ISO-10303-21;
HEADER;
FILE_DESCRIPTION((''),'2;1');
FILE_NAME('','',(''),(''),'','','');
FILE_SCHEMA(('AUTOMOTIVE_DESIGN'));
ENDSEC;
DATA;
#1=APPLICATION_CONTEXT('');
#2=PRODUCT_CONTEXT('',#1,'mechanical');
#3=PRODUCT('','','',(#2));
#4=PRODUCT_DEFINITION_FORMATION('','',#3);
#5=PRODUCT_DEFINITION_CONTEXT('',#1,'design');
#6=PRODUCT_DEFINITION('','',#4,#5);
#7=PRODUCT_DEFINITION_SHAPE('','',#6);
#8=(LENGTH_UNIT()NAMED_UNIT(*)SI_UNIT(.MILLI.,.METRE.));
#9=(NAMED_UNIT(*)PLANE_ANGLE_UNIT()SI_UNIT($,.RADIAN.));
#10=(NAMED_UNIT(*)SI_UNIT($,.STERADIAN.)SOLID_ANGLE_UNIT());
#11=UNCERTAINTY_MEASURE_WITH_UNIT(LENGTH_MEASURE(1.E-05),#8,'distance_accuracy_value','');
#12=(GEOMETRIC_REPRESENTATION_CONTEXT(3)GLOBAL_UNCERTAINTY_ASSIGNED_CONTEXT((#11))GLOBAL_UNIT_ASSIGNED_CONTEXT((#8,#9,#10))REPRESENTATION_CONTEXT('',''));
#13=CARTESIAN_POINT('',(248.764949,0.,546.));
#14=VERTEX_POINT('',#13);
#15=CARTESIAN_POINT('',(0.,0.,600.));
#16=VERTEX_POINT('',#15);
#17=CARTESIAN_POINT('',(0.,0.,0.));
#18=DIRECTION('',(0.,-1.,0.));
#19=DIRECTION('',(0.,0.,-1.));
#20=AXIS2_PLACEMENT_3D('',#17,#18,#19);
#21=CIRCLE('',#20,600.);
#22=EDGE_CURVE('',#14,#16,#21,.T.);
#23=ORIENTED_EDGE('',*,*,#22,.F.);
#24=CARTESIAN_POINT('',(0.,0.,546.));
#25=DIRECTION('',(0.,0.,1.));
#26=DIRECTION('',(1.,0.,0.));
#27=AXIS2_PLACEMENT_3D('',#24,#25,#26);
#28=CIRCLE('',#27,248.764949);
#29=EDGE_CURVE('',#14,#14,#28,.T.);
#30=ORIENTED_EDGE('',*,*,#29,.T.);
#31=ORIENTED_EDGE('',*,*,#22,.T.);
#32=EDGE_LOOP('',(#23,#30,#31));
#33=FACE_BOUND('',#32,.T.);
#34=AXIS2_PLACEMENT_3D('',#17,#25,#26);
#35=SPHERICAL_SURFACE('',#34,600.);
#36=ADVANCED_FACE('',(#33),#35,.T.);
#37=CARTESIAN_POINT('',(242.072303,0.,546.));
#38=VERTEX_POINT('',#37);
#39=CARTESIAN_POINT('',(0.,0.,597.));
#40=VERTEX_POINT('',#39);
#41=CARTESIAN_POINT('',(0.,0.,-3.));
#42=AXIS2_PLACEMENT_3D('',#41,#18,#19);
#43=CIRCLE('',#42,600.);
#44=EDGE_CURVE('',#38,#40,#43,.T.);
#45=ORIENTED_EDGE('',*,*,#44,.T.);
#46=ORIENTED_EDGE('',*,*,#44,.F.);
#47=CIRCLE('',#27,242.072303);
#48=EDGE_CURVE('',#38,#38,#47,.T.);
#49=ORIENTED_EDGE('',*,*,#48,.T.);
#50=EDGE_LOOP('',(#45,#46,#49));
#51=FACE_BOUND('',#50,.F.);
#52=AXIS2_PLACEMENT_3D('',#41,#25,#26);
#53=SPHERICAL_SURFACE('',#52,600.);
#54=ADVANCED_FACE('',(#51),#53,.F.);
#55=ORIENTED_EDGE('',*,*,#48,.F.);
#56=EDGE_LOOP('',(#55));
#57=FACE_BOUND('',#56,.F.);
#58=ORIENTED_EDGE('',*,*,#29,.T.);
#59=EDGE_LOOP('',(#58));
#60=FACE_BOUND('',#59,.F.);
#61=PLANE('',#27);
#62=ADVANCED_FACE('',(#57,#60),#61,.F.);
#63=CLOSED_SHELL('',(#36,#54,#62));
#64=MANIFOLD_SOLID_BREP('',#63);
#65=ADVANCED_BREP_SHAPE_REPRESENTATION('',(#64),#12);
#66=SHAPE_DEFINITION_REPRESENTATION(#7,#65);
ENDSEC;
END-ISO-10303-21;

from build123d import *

# Parameters (mm, degrees)
CYLINDER001_R     = 600
CYLINDER001_DEPTH = 1200
CYLINDER_R        = 600
CYLINDER_DEPTH    = 1200


with BuildPart() as cylinder001:
    # Cylinder001 → Cylinder001 (new body)
    with BuildSketch(Plane.XY.offset(-654)):
        Circle(CYLINDER001_R)
    extrude(amount=CYLINDER001_DEPTH)


with BuildPart() as cut001:
    # Sphere001 → Sphere001 (revolve)
    with BuildSketch(Plane.XZ):
        with BuildLine():
            ThreePointArc((0, -600), (600, 0), (0, 600))
            Line((0, 600), (0, -600))
        make_face()
    revolve(axis=Axis((0, 0, 0), (0, 0, 1)))

    # Cut001: cut Cylinder001
    add(cylinder001.part, mode=Mode.SUBTRACT)


with BuildPart() as cut001_1:
    # Cut001 placement: moved
    add(cut001.part.moved(Location((0, 0, -3))))


with BuildPart() as cylinder:
    # Cylinder → Cylinder (new body)
    with BuildSketch(Plane.XY.offset(-654)):
        Circle(CYLINDER_R)
    extrude(amount=CYLINDER_DEPTH)


with BuildPart() as cut002:
    # Sphere → Sphere (revolve)
    with BuildSketch(Plane.XZ):
        with BuildLine():
            ThreePointArc((0, -600), (600, 0), (0, 600))
            Line((0, 600), (0, -600))
        make_face()
    revolve(axis=Axis((0, 0, 0), (0, 0, 1)))

    # Cut: cut Cylinder
    add(cylinder.part, mode=Mode.SUBTRACT)

    # Cut002: cut Cut001
    add(cut001_1.part, mode=Mode.SUBTRACT)


solid = cut002.part
